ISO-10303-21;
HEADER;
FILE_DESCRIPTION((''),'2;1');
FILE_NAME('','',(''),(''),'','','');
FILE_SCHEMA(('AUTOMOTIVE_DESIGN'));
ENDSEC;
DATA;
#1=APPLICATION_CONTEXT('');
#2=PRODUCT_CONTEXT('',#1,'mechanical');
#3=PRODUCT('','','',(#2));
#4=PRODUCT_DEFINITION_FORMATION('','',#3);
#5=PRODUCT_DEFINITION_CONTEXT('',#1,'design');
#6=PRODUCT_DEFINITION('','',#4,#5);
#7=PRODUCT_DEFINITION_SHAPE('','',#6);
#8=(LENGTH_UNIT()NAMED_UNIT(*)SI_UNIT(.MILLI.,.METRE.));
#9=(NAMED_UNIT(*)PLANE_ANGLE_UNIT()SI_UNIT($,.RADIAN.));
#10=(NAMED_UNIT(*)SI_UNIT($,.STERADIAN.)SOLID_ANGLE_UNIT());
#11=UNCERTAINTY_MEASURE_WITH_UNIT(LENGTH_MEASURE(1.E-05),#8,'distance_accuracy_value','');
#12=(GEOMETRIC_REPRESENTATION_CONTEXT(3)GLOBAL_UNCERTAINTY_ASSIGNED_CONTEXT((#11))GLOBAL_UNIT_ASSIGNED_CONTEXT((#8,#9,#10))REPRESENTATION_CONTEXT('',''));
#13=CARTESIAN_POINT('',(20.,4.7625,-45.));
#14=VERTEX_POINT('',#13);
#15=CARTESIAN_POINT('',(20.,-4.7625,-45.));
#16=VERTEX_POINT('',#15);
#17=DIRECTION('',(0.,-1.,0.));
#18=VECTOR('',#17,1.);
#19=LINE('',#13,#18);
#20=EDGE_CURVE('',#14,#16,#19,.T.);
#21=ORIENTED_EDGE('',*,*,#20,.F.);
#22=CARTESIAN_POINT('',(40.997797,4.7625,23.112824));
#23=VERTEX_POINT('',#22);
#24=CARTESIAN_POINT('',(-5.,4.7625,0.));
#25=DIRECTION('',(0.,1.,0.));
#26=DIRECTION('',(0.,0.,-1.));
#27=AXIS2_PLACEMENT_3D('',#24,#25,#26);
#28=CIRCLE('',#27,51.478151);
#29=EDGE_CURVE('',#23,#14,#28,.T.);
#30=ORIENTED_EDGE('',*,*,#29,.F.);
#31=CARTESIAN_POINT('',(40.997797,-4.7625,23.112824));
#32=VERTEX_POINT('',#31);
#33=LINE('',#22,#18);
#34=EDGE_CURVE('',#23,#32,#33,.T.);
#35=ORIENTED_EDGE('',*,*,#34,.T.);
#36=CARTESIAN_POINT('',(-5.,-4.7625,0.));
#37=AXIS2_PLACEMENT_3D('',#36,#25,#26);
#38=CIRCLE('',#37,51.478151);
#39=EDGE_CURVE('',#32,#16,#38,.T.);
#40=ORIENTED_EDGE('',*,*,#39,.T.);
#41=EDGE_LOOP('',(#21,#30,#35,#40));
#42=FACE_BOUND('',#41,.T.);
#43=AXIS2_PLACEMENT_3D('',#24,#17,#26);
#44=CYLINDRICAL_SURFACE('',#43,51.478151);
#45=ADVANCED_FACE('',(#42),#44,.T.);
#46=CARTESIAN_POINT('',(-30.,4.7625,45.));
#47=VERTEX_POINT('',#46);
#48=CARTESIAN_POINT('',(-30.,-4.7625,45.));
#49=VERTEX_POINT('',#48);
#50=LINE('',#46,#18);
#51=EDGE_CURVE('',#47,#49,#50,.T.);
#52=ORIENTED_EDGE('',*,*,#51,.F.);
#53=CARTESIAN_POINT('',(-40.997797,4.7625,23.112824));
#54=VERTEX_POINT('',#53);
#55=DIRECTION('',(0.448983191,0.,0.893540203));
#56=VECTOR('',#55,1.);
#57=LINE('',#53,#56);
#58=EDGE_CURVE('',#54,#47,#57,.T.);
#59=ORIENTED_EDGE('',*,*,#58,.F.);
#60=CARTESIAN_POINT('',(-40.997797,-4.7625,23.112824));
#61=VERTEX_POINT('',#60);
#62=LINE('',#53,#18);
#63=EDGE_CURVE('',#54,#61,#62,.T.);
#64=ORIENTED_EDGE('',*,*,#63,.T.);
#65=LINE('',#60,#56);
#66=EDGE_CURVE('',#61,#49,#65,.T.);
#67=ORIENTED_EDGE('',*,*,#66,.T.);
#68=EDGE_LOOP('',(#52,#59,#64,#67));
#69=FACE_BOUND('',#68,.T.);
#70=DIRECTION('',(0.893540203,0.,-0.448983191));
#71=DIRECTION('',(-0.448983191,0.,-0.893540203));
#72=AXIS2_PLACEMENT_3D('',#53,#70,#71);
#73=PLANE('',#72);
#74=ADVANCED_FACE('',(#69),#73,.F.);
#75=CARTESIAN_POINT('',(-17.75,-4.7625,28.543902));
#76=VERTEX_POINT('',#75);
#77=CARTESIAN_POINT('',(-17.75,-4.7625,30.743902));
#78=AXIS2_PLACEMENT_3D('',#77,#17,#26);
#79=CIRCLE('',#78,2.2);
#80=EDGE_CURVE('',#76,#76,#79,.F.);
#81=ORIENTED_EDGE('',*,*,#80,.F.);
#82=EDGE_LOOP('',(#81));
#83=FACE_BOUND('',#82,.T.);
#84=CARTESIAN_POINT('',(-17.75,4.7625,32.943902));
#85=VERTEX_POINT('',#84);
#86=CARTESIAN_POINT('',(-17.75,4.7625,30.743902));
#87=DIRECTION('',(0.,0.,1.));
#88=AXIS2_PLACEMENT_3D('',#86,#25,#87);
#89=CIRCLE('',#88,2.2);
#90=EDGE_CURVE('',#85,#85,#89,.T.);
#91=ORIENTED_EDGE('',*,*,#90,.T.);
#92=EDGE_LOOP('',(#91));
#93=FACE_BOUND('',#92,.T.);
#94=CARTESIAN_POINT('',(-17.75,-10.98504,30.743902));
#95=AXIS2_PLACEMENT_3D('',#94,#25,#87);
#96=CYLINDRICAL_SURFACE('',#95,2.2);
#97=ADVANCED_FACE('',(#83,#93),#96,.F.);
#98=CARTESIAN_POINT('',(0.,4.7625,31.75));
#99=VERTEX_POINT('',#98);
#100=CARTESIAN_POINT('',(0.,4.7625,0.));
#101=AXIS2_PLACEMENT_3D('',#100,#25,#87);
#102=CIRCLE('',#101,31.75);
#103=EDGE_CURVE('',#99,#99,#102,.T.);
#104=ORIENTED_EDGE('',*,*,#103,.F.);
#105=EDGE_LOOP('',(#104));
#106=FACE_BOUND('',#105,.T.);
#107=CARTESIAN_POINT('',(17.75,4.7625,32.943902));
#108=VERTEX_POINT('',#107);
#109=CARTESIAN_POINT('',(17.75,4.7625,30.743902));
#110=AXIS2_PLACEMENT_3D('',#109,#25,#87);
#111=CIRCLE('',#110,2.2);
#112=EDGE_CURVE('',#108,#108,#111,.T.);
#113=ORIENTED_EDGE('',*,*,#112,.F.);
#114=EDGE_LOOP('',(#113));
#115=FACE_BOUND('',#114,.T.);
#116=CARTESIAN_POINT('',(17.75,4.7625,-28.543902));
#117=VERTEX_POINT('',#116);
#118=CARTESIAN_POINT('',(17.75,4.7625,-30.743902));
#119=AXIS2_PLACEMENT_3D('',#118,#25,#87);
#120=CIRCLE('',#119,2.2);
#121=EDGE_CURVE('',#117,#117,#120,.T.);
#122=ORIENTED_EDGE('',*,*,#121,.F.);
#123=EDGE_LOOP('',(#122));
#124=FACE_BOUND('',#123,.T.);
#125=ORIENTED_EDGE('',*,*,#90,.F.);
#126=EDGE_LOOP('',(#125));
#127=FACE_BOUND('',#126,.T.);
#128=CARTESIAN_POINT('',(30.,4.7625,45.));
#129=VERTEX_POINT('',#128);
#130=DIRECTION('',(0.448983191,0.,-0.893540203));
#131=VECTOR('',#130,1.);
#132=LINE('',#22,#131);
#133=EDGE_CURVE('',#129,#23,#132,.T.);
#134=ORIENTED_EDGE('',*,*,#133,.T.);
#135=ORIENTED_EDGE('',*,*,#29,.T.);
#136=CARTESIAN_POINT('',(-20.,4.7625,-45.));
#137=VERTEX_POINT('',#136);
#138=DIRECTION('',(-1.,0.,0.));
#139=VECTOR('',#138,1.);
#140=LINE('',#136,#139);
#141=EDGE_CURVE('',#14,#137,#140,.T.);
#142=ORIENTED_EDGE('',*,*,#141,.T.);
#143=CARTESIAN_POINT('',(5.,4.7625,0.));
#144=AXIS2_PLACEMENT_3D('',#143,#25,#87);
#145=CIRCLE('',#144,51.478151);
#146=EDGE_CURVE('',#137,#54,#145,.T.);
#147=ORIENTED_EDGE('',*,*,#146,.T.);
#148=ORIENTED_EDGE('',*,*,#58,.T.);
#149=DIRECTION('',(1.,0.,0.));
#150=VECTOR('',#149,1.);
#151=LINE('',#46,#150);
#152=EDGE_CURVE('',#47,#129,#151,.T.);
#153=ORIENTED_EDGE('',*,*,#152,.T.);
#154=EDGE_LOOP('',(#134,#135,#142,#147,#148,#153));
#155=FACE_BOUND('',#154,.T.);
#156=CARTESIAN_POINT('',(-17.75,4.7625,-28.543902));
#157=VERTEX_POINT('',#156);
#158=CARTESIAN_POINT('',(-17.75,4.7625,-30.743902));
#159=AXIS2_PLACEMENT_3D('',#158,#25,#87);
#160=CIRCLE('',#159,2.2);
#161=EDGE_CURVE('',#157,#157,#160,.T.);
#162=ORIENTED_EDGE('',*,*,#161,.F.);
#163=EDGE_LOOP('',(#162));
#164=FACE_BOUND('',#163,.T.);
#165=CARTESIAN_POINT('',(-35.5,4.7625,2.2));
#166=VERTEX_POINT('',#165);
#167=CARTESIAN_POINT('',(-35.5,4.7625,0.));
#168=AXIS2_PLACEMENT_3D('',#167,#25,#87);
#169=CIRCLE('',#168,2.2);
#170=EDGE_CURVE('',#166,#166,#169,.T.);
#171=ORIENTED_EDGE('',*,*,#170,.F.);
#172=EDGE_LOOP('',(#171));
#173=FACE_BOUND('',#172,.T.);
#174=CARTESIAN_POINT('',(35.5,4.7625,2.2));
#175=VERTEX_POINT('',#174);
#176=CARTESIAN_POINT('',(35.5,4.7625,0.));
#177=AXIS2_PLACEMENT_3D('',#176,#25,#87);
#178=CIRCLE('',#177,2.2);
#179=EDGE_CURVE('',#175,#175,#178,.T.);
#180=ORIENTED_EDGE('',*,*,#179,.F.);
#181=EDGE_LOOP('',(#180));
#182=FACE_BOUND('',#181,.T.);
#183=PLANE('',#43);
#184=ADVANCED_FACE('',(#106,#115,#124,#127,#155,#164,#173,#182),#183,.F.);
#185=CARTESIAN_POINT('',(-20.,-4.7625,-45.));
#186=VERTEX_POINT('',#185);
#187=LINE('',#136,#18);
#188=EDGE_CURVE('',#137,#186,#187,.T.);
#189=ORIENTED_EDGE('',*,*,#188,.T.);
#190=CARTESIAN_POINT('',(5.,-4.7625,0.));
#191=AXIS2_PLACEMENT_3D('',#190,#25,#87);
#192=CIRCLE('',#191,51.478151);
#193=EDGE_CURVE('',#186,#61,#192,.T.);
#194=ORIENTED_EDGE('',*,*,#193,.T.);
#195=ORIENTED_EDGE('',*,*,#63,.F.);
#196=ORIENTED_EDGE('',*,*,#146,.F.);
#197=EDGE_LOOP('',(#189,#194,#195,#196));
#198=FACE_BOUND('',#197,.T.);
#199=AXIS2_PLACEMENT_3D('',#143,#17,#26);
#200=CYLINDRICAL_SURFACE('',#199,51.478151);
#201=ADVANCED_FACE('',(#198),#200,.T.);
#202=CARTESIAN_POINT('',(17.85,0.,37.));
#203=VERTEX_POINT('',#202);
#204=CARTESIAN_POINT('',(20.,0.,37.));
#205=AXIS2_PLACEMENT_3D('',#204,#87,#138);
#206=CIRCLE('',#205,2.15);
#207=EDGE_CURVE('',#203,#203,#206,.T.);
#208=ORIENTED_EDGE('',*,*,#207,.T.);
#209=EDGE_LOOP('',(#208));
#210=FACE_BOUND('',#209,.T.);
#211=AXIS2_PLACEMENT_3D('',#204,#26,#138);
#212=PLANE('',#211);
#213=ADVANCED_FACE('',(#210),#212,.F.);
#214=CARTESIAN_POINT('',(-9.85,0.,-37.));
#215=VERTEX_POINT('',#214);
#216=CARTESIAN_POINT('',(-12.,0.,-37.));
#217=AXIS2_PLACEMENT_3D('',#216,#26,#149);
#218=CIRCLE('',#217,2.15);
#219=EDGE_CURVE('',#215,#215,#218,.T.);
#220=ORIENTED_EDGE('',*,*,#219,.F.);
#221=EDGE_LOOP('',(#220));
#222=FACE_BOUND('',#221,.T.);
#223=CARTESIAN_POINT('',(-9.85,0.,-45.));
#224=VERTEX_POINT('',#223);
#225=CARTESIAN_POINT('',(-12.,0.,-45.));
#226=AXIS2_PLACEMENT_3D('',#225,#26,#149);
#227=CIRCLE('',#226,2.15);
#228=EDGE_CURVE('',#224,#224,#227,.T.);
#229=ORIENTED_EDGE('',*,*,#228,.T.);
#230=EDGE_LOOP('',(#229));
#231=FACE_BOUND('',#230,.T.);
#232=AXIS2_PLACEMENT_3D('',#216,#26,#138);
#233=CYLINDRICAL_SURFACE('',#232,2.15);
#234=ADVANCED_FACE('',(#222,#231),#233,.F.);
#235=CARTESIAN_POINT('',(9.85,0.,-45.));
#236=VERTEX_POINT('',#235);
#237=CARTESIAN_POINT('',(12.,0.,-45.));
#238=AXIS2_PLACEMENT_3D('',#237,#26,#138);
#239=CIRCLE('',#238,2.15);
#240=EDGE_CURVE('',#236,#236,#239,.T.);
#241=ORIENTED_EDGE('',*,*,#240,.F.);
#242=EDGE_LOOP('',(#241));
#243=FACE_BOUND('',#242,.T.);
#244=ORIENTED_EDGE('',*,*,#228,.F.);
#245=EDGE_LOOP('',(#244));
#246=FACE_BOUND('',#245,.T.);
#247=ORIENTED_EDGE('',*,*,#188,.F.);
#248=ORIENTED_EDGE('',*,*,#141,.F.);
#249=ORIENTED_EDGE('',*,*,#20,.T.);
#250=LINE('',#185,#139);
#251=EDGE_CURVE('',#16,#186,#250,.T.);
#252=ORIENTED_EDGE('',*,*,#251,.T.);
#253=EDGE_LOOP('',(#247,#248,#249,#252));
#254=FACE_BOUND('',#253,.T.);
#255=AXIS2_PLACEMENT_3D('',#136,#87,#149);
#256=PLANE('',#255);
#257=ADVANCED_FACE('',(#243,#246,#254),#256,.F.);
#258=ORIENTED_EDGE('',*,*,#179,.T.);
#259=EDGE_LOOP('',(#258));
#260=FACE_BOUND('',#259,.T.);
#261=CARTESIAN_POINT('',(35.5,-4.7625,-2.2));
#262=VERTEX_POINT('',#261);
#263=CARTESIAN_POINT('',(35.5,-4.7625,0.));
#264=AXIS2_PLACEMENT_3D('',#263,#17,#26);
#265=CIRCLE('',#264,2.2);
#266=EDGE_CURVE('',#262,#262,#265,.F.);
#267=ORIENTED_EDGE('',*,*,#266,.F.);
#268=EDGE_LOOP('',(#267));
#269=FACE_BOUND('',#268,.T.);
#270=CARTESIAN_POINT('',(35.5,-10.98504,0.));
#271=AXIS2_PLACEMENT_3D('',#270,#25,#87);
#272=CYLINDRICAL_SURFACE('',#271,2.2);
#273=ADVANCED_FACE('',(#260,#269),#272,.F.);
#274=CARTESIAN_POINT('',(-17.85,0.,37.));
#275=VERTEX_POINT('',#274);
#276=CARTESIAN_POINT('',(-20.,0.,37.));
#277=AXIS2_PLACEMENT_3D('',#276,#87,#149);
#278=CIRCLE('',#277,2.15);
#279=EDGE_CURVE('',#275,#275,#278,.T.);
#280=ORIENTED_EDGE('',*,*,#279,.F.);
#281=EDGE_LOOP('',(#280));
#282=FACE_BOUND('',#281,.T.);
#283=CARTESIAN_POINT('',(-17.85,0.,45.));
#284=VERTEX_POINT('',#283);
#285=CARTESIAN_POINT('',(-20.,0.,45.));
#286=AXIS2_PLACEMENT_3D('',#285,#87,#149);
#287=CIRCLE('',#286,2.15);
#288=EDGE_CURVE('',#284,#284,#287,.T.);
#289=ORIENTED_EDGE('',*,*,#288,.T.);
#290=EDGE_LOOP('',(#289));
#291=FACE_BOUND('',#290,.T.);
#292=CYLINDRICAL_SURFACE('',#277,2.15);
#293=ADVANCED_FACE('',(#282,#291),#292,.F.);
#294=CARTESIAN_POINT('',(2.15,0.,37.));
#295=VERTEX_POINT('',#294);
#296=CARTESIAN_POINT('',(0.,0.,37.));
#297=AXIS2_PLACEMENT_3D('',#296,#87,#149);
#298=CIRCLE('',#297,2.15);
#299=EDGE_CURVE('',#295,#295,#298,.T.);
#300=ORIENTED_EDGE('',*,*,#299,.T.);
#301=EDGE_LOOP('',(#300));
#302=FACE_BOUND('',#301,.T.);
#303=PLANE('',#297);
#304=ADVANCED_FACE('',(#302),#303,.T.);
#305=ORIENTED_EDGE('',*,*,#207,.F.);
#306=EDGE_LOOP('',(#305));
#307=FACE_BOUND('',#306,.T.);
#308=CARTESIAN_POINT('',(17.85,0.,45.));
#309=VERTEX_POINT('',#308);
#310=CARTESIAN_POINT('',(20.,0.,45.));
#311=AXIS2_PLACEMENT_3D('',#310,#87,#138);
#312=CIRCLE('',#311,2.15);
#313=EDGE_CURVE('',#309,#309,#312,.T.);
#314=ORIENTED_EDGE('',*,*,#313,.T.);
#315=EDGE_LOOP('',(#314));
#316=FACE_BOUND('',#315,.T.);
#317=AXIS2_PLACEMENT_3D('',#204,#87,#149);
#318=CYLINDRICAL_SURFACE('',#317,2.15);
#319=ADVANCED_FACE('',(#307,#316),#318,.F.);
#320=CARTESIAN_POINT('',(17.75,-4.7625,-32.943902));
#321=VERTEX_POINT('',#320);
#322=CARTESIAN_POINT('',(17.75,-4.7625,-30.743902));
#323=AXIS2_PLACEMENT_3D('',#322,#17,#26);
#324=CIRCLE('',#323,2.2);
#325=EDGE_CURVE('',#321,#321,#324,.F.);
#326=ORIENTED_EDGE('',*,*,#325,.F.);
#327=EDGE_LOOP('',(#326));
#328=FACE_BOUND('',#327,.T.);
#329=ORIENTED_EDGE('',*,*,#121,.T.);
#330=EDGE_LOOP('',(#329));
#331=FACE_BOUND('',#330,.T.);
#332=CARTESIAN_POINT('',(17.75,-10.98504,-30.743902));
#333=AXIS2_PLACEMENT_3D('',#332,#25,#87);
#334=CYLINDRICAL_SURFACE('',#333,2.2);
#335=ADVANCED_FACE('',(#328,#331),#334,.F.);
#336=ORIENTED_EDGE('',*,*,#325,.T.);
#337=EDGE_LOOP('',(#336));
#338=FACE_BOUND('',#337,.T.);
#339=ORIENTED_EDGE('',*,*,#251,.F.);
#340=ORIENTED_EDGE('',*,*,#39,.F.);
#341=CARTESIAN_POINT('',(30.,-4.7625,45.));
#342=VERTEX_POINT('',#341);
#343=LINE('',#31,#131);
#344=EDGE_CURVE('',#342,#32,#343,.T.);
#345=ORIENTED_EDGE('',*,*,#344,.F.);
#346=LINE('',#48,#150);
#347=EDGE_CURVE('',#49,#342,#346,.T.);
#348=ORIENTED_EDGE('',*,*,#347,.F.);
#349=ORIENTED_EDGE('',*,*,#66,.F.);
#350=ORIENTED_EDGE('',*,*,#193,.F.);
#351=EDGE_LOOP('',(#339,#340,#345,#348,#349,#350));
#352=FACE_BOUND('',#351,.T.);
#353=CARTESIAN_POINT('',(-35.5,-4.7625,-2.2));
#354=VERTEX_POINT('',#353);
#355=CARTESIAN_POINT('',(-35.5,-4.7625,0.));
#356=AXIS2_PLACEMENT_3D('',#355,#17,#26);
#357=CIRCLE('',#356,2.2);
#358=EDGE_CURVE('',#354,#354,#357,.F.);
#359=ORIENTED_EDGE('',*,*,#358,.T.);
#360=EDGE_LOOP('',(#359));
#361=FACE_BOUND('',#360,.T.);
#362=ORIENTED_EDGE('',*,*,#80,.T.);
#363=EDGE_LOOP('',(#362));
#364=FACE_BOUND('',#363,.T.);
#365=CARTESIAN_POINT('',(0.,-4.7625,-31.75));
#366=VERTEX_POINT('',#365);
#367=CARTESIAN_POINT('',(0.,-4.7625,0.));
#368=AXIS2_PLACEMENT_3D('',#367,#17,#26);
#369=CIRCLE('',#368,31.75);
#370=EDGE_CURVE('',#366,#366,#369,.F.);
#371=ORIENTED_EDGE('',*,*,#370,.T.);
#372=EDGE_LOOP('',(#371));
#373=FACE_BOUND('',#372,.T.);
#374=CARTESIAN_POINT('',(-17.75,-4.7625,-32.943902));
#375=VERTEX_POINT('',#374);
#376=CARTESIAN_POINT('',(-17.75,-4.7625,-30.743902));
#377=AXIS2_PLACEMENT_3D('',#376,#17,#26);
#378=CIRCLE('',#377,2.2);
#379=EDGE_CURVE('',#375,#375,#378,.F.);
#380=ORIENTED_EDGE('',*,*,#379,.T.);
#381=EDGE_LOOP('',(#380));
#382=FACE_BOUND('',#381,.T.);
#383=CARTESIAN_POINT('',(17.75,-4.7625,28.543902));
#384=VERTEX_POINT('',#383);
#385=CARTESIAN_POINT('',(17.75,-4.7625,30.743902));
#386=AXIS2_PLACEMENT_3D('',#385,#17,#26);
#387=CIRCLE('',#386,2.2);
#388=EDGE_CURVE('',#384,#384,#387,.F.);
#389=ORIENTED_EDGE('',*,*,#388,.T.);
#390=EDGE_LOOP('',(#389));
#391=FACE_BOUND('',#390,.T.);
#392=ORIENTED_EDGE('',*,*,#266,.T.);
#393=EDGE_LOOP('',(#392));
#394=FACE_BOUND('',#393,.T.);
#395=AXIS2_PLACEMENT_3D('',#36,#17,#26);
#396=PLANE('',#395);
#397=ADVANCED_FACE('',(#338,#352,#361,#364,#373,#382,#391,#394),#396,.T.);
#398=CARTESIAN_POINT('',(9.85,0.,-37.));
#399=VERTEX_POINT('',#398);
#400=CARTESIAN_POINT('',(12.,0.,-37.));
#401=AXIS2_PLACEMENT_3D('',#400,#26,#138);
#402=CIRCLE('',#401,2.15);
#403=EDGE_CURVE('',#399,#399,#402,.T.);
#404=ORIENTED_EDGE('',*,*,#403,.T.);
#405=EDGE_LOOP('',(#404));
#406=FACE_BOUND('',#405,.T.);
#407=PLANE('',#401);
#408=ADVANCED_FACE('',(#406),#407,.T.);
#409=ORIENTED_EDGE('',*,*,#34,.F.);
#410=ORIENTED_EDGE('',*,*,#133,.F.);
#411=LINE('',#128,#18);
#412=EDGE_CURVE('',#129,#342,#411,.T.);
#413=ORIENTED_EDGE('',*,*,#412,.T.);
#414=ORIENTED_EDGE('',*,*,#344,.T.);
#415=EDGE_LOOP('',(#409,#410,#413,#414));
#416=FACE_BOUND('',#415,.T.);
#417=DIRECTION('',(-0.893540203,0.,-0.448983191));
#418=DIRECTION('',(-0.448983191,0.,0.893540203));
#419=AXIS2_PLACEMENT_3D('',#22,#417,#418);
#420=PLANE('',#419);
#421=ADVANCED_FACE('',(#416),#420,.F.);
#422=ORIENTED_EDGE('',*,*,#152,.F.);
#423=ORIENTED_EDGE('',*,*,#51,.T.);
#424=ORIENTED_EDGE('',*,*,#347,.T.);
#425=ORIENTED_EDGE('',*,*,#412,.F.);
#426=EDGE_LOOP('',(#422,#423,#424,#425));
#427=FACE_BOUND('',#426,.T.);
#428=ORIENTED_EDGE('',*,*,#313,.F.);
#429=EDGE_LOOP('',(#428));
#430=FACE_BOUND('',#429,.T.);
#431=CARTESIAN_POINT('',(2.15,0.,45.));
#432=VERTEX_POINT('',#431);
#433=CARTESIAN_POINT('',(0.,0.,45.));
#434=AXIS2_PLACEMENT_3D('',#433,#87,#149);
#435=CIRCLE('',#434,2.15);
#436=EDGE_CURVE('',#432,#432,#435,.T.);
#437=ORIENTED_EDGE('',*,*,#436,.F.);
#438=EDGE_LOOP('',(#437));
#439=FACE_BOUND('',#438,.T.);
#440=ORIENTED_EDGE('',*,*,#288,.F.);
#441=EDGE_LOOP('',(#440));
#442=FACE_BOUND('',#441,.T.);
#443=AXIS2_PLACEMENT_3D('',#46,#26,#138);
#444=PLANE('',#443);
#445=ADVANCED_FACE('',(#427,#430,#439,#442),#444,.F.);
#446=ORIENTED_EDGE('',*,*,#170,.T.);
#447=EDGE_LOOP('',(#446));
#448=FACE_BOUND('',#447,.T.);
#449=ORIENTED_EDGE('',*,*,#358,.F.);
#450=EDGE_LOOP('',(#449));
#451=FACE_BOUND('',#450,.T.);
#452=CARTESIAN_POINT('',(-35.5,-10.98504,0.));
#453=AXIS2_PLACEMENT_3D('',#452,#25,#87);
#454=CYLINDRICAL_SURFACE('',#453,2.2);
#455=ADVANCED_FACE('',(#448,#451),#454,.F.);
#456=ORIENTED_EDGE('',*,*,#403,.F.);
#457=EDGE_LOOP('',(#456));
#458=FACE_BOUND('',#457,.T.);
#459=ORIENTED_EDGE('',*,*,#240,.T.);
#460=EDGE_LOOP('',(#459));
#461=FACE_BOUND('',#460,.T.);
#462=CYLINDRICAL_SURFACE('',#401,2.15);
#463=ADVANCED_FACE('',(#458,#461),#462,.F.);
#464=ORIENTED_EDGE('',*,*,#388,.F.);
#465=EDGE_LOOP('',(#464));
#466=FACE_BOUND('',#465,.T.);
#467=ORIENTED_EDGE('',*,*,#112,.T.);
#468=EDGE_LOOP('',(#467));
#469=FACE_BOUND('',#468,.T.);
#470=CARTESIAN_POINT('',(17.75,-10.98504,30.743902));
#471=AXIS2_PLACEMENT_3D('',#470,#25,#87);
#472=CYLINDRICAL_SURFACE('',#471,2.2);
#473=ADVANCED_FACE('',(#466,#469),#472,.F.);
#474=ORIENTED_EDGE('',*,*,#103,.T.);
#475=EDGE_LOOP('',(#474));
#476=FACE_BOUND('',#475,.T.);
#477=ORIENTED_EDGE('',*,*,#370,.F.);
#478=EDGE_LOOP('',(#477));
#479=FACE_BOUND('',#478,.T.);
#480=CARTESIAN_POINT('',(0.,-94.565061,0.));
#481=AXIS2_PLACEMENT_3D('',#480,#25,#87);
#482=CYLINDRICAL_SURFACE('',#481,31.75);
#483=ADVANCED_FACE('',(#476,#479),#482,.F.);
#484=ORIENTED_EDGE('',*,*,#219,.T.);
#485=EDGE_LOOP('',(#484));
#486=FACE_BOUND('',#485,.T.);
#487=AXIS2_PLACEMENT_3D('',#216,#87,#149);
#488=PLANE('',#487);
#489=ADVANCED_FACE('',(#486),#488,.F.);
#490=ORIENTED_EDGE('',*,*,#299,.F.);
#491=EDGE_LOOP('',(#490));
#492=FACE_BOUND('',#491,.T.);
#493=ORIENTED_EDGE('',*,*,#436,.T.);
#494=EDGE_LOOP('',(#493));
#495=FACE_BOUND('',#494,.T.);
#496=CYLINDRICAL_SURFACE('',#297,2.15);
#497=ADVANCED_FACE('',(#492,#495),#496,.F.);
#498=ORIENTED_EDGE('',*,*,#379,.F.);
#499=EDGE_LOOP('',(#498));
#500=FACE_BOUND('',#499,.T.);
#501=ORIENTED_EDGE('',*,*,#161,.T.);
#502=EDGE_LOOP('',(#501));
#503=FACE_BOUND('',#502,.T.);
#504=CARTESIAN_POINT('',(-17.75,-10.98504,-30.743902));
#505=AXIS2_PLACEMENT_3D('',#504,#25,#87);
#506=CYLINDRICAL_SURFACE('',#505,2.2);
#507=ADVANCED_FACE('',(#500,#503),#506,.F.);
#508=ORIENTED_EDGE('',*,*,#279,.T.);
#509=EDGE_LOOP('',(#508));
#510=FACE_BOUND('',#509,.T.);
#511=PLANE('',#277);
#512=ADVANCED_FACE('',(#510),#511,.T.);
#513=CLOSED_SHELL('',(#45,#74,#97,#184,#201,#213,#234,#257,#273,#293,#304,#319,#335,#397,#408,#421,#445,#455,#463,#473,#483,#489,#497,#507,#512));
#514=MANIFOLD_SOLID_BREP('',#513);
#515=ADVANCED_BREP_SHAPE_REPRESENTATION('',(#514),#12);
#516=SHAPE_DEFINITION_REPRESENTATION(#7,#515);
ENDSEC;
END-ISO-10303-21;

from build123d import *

# Parameters (mm, degrees)
F_3_8INCH_DEPTH    = 4.7625
SKETCH2_R          = 31.75
CUT_EXTRUDE1_DEPTH = 9.525
SKETCH3_R          = 2.2
M4_THROUGH_DEPTH   = 9.525
SKETCH4_R          = 2.15
M5X8_DRILL_DEPTH   = 8
SKETCH5_R          = 2.15
M5X8_DRILL2_DEPTH  = 8


with BuildPart() as part:
    # Sketch1 → 3/8inch (new, symmetric)
    with BuildSketch(Plane(origin=(0, 0, 0), x_dir=(1, 0, 0), z_dir=(0, 1, 0))):
        with BuildLine():
            Line((-30, -45), (30, -45))
            Line((30, -45), (40.997797218, -23.112824386))
            ThreePointArc((40.997797218, -23.112824386), (44.19360745, 15.165387766), (20, 45))
            Line((20, 45), (-20, 45))
            ThreePointArc((-20, 45), (-44.19360745, 15.165387766), (-40.997797218, -23.112824386))
            Line((-40.997797218, -23.112824386), (-30, -45))
        make_face()
    extrude(amount=F_3_8INCH_DEPTH, both=True)

    # Sketch2 → Cut-Extrude1 (cut)
    with BuildSketch(Plane(origin=(0, 4.7625, 0), x_dir=(1, 0, 0), z_dir=(0, 1, 0))):
        with Locations(Location((0, 0, 0), (0, 0, 270))):
            Circle(SKETCH2_R)
    extrude(amount=-CUT_EXTRUDE1_DEPTH, mode=Mode.SUBTRACT)

    # Sketch3 → M4_through (cut)
    with BuildSketch(Plane(origin=(0, 4.7625, 0), x_dir=(1, 0, 0), z_dir=(0, 1, 0))):
        with Locations(Location((17.75, 30.743901834, 0), (0, 0, 270))):
            Circle(SKETCH3_R)
        with Locations(Location((35.5, 0, 0), (0, 0, 270))):
            Circle(SKETCH3_R)
        with Locations(Location((17.75, -30.743901834, 0), (0, 0, 270))):
            Circle(SKETCH3_R)
        with Locations(Location((-17.75, -30.743901834, 0), (0, 0, 270))):
            Circle(SKETCH3_R)
        with Locations(Location((-35.5, 0, 0), (0, 0, 270))):
            Circle(SKETCH3_R)
        with Locations(Location((-17.75, 30.743901834, 0), (0, 0, 270))):
            Circle(SKETCH3_R)
    extrude(amount=-M4_THROUGH_DEPTH, mode=Mode.SUBTRACT)

    # Sketch4 → M5x8_DRILL (cut)
    with BuildSketch(Plane(origin=(0, 0, -45), x_dir=(-1, 0, 0), z_dir=(0, 0, -1))):
        with Locations((-12, 0)):
            Circle(SKETCH4_R)
        with Locations(Location((12, 0, 0), (0, 0, 180))):
            Circle(SKETCH4_R)
    extrude(amount=-M5X8_DRILL_DEPTH, mode=Mode.SUBTRACT)

    # Sketch5 → M5x8_DRILL2 (cut)
    with BuildSketch(Plane.XY.offset(45)):
        with Locations((-20, 0)):
            Circle(SKETCH5_R)
        with Locations(Location((20, 0, 0), (0, 0, 180))):
            Circle(SKETCH5_R)
        Circle(SKETCH5_R)
    extrude(amount=-M5X8_DRILL2_DEPTH, mode=Mode.SUBTRACT)


solid = part.part
